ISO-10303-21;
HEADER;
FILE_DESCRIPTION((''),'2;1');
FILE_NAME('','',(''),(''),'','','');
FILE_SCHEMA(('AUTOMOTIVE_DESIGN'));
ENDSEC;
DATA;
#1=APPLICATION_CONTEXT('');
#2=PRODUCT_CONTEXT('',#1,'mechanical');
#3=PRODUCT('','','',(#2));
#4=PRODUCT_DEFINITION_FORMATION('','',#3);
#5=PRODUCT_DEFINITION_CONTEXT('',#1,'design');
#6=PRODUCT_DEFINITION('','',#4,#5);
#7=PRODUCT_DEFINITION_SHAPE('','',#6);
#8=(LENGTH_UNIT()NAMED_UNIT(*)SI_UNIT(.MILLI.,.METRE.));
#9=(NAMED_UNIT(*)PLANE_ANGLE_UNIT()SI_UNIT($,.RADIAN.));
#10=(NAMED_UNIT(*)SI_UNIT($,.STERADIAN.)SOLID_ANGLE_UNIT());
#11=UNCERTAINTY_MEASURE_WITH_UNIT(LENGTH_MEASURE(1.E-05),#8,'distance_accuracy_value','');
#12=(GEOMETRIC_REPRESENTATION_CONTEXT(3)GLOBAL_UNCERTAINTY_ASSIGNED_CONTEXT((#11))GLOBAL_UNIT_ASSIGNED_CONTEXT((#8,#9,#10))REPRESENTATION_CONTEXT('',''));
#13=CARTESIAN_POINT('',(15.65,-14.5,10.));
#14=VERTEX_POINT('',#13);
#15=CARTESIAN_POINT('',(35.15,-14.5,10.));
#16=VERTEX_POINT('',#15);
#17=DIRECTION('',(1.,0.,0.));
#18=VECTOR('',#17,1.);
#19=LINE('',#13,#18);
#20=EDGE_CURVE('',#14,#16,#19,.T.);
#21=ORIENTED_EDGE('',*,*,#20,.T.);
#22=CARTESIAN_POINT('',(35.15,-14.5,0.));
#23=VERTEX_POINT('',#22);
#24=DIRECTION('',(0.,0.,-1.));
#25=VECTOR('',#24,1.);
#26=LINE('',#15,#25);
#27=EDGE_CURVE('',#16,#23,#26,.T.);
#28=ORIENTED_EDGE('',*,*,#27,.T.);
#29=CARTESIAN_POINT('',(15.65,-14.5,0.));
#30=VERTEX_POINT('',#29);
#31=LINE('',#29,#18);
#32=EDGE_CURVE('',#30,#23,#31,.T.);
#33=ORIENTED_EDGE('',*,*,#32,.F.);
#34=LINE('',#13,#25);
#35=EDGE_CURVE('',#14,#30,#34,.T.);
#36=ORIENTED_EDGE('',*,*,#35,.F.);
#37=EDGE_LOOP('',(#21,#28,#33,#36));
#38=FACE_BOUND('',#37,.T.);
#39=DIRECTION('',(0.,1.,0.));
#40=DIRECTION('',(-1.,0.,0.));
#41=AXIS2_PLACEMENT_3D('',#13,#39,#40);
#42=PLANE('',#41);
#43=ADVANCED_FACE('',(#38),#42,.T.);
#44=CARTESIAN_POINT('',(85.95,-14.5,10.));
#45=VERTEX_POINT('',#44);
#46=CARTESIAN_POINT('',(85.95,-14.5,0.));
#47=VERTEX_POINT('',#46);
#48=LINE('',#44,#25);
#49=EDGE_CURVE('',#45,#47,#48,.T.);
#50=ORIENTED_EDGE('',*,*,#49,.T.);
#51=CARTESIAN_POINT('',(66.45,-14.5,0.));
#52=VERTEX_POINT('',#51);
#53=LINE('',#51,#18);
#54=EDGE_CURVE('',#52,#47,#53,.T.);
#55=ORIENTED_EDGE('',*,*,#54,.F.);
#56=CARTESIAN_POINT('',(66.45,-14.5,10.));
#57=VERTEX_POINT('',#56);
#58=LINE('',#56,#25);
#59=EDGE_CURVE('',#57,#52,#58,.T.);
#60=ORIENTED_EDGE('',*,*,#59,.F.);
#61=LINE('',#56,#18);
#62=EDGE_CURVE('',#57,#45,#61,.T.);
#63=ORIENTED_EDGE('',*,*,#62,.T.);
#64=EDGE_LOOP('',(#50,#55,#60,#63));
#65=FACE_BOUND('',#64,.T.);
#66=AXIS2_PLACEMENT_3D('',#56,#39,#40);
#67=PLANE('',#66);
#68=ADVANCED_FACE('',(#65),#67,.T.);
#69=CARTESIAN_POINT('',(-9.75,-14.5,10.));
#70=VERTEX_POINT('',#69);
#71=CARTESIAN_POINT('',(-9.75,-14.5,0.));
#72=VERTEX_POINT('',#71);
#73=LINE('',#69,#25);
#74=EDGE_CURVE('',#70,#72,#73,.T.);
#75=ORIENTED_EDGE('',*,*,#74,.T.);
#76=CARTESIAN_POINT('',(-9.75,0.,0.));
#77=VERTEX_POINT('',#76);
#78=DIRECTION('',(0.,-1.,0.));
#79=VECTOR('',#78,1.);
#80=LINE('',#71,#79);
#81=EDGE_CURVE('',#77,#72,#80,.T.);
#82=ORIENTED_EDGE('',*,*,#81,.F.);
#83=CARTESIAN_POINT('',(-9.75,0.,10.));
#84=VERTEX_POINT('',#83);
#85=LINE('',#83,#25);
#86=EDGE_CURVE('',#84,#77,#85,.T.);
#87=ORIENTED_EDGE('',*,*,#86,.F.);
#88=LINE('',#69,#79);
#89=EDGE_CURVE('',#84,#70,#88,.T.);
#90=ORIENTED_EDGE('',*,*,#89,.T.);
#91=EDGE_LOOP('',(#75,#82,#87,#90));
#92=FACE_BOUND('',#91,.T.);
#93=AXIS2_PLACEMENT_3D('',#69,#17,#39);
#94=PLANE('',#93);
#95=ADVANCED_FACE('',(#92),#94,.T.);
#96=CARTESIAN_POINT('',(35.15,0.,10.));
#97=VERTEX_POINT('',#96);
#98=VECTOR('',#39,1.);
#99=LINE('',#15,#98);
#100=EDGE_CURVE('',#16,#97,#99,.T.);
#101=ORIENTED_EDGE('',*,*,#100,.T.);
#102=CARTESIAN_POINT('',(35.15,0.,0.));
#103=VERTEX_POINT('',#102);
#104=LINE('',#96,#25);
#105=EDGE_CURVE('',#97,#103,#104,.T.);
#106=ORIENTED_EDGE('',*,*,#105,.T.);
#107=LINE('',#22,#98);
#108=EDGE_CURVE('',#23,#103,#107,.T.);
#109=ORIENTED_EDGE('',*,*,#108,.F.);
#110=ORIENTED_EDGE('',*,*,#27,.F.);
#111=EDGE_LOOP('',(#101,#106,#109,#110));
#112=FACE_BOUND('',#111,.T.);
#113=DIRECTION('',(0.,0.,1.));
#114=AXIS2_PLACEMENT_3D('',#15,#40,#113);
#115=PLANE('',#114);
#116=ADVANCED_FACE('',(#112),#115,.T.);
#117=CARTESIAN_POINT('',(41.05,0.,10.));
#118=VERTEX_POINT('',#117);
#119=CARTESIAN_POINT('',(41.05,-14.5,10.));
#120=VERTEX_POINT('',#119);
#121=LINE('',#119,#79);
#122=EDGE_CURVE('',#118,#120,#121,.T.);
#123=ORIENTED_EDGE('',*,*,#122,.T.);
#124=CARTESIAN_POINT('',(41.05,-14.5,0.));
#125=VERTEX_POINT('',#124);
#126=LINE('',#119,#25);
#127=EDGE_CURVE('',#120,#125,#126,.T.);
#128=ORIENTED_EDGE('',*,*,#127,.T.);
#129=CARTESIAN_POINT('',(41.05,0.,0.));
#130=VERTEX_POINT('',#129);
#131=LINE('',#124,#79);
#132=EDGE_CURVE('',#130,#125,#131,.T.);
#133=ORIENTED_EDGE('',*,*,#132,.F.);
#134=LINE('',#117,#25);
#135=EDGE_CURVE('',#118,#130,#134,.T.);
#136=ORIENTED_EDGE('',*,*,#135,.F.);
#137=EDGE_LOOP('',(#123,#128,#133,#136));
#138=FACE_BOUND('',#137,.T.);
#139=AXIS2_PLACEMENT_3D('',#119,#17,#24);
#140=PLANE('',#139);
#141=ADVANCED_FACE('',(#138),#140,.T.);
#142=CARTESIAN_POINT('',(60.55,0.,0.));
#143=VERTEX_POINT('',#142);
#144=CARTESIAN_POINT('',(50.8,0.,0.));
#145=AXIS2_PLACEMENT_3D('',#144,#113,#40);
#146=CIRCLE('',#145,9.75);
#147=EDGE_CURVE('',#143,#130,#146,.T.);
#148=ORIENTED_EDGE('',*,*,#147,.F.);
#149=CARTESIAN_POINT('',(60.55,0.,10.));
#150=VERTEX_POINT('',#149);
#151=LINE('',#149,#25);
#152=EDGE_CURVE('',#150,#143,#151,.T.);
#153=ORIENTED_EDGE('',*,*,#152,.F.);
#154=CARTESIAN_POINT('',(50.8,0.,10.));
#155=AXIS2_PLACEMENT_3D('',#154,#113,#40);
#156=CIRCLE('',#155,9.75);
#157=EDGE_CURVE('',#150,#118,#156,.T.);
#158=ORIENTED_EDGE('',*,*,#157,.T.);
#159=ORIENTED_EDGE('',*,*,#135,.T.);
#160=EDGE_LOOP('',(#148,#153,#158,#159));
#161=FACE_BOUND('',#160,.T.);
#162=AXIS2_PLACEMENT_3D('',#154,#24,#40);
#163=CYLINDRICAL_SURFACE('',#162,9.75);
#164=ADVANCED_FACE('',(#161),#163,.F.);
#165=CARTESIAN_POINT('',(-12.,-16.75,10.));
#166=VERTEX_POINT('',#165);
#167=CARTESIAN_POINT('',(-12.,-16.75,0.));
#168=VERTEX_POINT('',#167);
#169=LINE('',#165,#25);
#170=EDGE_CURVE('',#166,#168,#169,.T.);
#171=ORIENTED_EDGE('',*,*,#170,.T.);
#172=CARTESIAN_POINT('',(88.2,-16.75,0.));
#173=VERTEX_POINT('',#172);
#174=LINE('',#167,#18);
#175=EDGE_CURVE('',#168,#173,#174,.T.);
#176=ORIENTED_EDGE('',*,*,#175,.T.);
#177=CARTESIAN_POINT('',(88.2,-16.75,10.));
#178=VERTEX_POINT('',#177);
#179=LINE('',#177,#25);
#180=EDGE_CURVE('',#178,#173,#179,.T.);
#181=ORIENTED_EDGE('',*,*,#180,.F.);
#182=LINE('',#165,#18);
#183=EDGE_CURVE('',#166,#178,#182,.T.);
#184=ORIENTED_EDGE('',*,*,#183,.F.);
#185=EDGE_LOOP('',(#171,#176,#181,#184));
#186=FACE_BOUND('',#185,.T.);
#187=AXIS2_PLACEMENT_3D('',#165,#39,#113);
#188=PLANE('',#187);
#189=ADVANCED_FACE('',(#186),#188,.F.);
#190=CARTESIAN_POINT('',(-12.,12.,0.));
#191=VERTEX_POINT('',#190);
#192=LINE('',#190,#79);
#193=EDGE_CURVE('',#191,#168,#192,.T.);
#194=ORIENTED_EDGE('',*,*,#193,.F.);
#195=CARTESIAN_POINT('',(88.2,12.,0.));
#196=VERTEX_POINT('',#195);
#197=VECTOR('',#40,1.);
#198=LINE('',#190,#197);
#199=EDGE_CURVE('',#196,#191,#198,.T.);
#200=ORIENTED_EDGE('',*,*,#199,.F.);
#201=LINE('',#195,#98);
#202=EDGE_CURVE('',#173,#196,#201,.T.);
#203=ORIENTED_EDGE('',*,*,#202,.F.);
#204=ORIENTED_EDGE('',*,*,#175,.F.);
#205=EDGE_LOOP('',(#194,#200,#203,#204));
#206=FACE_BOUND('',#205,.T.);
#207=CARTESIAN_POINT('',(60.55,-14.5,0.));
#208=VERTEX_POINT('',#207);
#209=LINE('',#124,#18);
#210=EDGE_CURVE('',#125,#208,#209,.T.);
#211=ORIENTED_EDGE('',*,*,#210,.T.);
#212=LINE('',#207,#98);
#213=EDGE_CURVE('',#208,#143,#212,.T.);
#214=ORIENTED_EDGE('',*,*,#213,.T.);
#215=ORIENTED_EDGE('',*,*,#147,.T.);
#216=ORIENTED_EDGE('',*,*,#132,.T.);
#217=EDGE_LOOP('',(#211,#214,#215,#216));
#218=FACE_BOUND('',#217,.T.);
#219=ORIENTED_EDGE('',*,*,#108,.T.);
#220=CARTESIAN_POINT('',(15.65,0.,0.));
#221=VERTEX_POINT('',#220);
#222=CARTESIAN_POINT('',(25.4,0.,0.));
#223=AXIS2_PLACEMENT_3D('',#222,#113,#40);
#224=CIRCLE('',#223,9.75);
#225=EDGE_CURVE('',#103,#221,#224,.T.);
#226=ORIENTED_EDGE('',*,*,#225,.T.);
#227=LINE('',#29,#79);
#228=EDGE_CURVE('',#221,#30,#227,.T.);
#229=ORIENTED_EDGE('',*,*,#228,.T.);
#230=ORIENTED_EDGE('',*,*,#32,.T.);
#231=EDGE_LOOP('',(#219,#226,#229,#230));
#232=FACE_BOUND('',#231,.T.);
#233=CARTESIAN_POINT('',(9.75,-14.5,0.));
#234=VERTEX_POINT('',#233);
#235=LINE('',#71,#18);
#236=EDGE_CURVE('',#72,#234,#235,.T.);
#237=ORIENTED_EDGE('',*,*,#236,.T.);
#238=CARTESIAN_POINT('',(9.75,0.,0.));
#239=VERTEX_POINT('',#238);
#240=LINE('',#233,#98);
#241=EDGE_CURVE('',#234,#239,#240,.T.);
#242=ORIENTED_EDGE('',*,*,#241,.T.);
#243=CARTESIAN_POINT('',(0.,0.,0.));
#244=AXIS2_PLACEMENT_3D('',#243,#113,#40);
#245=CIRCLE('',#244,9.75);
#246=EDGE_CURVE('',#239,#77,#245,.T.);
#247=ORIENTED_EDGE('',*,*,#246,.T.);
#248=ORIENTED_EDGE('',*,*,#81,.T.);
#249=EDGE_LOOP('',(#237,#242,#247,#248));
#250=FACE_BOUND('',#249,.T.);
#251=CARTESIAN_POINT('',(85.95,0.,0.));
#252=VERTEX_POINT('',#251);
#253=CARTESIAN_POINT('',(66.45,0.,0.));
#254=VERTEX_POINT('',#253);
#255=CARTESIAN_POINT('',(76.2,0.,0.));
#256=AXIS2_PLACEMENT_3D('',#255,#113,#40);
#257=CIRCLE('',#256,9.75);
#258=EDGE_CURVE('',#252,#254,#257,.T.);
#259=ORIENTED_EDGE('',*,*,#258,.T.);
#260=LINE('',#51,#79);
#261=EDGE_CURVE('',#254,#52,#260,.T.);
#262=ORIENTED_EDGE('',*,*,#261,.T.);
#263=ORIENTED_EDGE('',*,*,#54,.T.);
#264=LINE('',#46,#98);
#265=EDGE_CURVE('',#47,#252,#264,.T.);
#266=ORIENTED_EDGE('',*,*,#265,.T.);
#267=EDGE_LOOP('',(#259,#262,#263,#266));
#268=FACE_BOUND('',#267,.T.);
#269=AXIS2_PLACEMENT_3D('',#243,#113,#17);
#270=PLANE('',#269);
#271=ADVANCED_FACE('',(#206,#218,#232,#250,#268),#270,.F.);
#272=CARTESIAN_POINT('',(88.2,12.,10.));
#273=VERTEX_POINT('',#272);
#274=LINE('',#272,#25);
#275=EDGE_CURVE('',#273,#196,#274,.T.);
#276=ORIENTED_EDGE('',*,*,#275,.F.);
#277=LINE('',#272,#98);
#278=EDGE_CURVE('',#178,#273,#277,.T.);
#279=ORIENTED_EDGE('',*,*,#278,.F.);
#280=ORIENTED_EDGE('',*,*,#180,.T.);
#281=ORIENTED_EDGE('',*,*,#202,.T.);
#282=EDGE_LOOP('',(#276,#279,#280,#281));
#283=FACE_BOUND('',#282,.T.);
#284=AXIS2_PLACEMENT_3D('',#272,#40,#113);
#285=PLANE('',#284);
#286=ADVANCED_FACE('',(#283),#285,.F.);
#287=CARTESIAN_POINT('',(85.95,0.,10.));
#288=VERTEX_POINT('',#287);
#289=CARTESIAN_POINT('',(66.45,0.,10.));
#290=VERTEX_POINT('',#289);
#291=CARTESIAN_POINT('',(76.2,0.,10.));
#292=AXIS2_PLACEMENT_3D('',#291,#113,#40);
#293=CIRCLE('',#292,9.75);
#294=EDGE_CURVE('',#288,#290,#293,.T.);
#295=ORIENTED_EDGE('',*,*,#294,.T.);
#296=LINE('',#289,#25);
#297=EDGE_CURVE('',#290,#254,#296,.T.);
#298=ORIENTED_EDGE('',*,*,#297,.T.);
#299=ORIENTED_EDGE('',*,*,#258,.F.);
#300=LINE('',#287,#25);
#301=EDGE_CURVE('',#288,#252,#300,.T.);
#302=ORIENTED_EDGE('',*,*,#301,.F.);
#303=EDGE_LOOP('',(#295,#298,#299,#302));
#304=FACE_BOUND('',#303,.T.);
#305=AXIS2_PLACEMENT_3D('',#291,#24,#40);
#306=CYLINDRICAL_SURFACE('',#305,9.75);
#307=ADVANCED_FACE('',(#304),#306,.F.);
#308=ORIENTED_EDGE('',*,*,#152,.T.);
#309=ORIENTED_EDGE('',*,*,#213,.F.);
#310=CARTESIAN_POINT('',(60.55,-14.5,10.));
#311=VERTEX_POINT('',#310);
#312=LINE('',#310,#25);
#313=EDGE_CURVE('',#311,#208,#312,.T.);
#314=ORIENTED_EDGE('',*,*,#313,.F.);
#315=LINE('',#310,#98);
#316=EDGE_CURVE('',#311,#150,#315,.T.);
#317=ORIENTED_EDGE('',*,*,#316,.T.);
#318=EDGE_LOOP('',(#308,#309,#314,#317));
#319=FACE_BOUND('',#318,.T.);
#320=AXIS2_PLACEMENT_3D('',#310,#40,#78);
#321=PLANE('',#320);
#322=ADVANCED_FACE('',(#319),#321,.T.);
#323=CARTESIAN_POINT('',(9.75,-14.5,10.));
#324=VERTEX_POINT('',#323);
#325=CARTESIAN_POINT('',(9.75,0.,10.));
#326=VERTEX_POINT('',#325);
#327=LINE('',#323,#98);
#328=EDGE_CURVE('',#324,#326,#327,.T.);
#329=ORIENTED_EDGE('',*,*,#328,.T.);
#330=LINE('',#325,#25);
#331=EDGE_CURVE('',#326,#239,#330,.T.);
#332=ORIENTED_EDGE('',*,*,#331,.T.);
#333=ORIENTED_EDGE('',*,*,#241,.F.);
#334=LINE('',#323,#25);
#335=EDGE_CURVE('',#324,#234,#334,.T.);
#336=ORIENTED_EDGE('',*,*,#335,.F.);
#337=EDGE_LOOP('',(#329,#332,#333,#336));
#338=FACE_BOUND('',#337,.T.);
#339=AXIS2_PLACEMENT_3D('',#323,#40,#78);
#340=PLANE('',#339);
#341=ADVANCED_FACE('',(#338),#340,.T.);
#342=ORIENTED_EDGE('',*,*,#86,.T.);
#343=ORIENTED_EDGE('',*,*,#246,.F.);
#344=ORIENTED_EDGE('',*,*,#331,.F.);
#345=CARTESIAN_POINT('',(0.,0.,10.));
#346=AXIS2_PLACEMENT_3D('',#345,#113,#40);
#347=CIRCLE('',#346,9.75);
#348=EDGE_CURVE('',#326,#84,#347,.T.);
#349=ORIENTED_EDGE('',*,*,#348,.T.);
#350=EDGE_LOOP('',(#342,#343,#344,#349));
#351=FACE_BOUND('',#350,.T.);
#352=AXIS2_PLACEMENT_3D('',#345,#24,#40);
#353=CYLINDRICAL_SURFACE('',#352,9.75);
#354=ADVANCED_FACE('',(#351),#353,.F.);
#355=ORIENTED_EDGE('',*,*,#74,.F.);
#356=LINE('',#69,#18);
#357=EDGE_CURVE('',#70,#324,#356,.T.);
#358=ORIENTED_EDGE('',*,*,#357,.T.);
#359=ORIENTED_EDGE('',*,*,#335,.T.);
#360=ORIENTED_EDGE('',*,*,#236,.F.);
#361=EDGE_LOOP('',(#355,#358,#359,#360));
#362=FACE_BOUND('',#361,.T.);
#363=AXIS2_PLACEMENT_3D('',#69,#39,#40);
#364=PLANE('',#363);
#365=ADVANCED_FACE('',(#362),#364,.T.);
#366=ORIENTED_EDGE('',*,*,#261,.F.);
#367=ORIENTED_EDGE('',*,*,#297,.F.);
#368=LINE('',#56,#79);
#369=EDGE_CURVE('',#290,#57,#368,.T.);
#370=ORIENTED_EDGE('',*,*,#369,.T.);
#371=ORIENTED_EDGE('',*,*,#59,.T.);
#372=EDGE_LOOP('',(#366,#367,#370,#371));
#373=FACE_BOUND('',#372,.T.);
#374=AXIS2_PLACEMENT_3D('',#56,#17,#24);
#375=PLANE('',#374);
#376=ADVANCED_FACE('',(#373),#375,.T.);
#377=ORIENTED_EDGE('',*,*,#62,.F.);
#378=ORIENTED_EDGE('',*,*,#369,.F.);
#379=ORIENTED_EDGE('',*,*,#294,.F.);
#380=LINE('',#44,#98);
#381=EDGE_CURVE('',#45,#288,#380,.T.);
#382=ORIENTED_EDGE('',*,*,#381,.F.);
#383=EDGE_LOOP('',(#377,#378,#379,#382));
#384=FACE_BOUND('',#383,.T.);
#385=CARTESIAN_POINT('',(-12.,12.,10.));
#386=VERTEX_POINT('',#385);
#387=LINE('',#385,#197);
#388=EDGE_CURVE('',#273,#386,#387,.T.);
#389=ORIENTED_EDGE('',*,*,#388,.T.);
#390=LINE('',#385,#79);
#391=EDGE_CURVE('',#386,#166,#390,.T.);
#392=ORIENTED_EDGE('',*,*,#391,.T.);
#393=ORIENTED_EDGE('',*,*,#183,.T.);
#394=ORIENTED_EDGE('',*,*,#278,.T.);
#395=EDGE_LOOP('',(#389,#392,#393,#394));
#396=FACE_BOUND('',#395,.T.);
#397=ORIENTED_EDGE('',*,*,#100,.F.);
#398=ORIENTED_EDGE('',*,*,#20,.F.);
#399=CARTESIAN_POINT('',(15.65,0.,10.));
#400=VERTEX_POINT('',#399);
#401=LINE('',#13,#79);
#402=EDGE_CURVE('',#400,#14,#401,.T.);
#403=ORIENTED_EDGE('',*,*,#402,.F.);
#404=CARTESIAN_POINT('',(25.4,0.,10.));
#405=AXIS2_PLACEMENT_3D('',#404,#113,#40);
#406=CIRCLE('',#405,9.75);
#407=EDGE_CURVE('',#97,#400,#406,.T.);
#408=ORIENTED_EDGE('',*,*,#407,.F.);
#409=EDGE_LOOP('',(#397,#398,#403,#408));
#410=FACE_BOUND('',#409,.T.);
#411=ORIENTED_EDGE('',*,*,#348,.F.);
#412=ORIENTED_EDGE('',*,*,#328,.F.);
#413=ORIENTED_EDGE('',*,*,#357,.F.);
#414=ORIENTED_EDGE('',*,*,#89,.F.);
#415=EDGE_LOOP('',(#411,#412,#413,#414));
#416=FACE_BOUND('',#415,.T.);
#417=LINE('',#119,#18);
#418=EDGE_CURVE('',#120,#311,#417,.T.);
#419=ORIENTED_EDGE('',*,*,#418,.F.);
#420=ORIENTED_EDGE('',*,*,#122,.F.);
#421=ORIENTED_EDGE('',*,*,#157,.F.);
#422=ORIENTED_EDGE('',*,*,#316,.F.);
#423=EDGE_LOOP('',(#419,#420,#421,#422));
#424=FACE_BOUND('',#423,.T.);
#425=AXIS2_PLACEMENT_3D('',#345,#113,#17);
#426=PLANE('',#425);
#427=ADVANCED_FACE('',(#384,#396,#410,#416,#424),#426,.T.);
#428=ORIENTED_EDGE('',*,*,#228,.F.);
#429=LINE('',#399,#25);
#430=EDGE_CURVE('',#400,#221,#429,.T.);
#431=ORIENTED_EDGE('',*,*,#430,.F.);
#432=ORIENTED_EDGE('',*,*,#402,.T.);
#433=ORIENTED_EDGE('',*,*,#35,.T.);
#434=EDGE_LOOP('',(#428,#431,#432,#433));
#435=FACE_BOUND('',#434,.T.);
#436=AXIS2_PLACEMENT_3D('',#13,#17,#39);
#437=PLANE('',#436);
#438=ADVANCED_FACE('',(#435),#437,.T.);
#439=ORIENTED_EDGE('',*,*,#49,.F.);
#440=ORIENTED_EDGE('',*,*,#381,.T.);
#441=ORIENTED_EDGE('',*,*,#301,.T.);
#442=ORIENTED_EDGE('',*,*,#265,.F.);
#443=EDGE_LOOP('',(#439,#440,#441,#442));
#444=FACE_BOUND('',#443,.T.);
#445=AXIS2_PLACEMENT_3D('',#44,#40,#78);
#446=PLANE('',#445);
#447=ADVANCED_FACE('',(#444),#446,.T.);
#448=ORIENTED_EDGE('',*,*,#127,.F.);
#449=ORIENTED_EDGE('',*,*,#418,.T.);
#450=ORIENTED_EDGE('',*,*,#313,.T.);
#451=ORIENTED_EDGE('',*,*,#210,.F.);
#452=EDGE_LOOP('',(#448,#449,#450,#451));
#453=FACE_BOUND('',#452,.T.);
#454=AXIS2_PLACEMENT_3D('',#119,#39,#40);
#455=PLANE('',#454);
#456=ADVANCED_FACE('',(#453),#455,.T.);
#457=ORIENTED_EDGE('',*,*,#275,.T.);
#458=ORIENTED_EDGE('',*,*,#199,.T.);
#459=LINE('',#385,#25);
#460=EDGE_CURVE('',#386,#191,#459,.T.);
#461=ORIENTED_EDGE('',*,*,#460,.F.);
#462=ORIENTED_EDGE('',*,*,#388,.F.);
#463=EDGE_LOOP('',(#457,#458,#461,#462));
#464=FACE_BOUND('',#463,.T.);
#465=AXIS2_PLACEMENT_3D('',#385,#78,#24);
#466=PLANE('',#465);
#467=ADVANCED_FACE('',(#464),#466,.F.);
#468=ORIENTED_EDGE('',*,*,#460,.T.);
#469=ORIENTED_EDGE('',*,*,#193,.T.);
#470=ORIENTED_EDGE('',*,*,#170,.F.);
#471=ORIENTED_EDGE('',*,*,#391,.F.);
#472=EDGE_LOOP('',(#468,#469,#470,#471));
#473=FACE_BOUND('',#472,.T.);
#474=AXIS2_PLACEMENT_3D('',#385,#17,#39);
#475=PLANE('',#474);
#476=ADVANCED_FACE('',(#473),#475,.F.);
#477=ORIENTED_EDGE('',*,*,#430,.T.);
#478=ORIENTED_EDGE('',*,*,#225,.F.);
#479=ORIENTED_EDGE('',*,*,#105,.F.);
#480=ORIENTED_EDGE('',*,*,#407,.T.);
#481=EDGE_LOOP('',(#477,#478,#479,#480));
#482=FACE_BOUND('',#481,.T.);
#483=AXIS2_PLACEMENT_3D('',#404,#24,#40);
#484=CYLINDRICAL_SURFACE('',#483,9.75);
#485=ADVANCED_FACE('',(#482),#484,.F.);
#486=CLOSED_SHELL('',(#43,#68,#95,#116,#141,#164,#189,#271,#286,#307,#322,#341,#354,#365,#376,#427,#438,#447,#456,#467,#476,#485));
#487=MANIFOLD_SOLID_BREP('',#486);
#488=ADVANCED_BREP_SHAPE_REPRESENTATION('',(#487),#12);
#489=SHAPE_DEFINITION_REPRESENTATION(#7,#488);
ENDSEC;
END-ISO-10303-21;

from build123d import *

# Parameters (mm, degrees)
SKETCH2_W           = 100.2
SKETCH2_H           = 28.75
BOSS_EXTRUDE1_DEPTH = 10


with BuildPart() as part:
    # Sketch2 → Boss-Extrude1 (new body)
    with BuildSketch(Plane.XY):
        with Locations((38.1, -2.375)):
            Rectangle(SKETCH2_W, SKETCH2_H)
        with BuildLine():
            Line((-9.75, -14.5), (-9.75, 0))
            ThreePointArc((-9.75, 0), (0, 9.75), (9.75, 0))
            Line((9.75, 0), (9.75, -14.5))
            Line((9.75, -14.5), (-9.75, -14.5))
        make_face(mode=Mode.SUBTRACT)
        with BuildLine():
            Line((15.65, -14.5), (15.65, 0))
            ThreePointArc((15.65, 0), (25.4, 9.75), (35.15, 0))
            Line((35.15, 0), (35.15, -14.5))
            Line((35.15, -14.5), (15.65, -14.5))
        make_face(mode=Mode.SUBTRACT)
        with BuildLine():
            Line((41.05, -14.5), (41.05, 0))
            ThreePointArc((41.05, 0), (50.8, 9.75), (60.55, 0))
            Line((60.55, 0), (60.55, -14.5))
            Line((60.55, -14.5), (41.05, -14.5))
        make_face(mode=Mode.SUBTRACT)
        with BuildLine():
            Line((66.45, -14.5), (66.45, 0))
            ThreePointArc((66.45, 0), (76.2, 9.75), (85.95, 0))
            Line((85.95, 0), (85.95, -14.5))
            Line((85.95, -14.5), (66.45, -14.5))
        make_face(mode=Mode.SUBTRACT)
    extrude(amount=BOSS_EXTRUDE1_DEPTH)


solid = part.part
